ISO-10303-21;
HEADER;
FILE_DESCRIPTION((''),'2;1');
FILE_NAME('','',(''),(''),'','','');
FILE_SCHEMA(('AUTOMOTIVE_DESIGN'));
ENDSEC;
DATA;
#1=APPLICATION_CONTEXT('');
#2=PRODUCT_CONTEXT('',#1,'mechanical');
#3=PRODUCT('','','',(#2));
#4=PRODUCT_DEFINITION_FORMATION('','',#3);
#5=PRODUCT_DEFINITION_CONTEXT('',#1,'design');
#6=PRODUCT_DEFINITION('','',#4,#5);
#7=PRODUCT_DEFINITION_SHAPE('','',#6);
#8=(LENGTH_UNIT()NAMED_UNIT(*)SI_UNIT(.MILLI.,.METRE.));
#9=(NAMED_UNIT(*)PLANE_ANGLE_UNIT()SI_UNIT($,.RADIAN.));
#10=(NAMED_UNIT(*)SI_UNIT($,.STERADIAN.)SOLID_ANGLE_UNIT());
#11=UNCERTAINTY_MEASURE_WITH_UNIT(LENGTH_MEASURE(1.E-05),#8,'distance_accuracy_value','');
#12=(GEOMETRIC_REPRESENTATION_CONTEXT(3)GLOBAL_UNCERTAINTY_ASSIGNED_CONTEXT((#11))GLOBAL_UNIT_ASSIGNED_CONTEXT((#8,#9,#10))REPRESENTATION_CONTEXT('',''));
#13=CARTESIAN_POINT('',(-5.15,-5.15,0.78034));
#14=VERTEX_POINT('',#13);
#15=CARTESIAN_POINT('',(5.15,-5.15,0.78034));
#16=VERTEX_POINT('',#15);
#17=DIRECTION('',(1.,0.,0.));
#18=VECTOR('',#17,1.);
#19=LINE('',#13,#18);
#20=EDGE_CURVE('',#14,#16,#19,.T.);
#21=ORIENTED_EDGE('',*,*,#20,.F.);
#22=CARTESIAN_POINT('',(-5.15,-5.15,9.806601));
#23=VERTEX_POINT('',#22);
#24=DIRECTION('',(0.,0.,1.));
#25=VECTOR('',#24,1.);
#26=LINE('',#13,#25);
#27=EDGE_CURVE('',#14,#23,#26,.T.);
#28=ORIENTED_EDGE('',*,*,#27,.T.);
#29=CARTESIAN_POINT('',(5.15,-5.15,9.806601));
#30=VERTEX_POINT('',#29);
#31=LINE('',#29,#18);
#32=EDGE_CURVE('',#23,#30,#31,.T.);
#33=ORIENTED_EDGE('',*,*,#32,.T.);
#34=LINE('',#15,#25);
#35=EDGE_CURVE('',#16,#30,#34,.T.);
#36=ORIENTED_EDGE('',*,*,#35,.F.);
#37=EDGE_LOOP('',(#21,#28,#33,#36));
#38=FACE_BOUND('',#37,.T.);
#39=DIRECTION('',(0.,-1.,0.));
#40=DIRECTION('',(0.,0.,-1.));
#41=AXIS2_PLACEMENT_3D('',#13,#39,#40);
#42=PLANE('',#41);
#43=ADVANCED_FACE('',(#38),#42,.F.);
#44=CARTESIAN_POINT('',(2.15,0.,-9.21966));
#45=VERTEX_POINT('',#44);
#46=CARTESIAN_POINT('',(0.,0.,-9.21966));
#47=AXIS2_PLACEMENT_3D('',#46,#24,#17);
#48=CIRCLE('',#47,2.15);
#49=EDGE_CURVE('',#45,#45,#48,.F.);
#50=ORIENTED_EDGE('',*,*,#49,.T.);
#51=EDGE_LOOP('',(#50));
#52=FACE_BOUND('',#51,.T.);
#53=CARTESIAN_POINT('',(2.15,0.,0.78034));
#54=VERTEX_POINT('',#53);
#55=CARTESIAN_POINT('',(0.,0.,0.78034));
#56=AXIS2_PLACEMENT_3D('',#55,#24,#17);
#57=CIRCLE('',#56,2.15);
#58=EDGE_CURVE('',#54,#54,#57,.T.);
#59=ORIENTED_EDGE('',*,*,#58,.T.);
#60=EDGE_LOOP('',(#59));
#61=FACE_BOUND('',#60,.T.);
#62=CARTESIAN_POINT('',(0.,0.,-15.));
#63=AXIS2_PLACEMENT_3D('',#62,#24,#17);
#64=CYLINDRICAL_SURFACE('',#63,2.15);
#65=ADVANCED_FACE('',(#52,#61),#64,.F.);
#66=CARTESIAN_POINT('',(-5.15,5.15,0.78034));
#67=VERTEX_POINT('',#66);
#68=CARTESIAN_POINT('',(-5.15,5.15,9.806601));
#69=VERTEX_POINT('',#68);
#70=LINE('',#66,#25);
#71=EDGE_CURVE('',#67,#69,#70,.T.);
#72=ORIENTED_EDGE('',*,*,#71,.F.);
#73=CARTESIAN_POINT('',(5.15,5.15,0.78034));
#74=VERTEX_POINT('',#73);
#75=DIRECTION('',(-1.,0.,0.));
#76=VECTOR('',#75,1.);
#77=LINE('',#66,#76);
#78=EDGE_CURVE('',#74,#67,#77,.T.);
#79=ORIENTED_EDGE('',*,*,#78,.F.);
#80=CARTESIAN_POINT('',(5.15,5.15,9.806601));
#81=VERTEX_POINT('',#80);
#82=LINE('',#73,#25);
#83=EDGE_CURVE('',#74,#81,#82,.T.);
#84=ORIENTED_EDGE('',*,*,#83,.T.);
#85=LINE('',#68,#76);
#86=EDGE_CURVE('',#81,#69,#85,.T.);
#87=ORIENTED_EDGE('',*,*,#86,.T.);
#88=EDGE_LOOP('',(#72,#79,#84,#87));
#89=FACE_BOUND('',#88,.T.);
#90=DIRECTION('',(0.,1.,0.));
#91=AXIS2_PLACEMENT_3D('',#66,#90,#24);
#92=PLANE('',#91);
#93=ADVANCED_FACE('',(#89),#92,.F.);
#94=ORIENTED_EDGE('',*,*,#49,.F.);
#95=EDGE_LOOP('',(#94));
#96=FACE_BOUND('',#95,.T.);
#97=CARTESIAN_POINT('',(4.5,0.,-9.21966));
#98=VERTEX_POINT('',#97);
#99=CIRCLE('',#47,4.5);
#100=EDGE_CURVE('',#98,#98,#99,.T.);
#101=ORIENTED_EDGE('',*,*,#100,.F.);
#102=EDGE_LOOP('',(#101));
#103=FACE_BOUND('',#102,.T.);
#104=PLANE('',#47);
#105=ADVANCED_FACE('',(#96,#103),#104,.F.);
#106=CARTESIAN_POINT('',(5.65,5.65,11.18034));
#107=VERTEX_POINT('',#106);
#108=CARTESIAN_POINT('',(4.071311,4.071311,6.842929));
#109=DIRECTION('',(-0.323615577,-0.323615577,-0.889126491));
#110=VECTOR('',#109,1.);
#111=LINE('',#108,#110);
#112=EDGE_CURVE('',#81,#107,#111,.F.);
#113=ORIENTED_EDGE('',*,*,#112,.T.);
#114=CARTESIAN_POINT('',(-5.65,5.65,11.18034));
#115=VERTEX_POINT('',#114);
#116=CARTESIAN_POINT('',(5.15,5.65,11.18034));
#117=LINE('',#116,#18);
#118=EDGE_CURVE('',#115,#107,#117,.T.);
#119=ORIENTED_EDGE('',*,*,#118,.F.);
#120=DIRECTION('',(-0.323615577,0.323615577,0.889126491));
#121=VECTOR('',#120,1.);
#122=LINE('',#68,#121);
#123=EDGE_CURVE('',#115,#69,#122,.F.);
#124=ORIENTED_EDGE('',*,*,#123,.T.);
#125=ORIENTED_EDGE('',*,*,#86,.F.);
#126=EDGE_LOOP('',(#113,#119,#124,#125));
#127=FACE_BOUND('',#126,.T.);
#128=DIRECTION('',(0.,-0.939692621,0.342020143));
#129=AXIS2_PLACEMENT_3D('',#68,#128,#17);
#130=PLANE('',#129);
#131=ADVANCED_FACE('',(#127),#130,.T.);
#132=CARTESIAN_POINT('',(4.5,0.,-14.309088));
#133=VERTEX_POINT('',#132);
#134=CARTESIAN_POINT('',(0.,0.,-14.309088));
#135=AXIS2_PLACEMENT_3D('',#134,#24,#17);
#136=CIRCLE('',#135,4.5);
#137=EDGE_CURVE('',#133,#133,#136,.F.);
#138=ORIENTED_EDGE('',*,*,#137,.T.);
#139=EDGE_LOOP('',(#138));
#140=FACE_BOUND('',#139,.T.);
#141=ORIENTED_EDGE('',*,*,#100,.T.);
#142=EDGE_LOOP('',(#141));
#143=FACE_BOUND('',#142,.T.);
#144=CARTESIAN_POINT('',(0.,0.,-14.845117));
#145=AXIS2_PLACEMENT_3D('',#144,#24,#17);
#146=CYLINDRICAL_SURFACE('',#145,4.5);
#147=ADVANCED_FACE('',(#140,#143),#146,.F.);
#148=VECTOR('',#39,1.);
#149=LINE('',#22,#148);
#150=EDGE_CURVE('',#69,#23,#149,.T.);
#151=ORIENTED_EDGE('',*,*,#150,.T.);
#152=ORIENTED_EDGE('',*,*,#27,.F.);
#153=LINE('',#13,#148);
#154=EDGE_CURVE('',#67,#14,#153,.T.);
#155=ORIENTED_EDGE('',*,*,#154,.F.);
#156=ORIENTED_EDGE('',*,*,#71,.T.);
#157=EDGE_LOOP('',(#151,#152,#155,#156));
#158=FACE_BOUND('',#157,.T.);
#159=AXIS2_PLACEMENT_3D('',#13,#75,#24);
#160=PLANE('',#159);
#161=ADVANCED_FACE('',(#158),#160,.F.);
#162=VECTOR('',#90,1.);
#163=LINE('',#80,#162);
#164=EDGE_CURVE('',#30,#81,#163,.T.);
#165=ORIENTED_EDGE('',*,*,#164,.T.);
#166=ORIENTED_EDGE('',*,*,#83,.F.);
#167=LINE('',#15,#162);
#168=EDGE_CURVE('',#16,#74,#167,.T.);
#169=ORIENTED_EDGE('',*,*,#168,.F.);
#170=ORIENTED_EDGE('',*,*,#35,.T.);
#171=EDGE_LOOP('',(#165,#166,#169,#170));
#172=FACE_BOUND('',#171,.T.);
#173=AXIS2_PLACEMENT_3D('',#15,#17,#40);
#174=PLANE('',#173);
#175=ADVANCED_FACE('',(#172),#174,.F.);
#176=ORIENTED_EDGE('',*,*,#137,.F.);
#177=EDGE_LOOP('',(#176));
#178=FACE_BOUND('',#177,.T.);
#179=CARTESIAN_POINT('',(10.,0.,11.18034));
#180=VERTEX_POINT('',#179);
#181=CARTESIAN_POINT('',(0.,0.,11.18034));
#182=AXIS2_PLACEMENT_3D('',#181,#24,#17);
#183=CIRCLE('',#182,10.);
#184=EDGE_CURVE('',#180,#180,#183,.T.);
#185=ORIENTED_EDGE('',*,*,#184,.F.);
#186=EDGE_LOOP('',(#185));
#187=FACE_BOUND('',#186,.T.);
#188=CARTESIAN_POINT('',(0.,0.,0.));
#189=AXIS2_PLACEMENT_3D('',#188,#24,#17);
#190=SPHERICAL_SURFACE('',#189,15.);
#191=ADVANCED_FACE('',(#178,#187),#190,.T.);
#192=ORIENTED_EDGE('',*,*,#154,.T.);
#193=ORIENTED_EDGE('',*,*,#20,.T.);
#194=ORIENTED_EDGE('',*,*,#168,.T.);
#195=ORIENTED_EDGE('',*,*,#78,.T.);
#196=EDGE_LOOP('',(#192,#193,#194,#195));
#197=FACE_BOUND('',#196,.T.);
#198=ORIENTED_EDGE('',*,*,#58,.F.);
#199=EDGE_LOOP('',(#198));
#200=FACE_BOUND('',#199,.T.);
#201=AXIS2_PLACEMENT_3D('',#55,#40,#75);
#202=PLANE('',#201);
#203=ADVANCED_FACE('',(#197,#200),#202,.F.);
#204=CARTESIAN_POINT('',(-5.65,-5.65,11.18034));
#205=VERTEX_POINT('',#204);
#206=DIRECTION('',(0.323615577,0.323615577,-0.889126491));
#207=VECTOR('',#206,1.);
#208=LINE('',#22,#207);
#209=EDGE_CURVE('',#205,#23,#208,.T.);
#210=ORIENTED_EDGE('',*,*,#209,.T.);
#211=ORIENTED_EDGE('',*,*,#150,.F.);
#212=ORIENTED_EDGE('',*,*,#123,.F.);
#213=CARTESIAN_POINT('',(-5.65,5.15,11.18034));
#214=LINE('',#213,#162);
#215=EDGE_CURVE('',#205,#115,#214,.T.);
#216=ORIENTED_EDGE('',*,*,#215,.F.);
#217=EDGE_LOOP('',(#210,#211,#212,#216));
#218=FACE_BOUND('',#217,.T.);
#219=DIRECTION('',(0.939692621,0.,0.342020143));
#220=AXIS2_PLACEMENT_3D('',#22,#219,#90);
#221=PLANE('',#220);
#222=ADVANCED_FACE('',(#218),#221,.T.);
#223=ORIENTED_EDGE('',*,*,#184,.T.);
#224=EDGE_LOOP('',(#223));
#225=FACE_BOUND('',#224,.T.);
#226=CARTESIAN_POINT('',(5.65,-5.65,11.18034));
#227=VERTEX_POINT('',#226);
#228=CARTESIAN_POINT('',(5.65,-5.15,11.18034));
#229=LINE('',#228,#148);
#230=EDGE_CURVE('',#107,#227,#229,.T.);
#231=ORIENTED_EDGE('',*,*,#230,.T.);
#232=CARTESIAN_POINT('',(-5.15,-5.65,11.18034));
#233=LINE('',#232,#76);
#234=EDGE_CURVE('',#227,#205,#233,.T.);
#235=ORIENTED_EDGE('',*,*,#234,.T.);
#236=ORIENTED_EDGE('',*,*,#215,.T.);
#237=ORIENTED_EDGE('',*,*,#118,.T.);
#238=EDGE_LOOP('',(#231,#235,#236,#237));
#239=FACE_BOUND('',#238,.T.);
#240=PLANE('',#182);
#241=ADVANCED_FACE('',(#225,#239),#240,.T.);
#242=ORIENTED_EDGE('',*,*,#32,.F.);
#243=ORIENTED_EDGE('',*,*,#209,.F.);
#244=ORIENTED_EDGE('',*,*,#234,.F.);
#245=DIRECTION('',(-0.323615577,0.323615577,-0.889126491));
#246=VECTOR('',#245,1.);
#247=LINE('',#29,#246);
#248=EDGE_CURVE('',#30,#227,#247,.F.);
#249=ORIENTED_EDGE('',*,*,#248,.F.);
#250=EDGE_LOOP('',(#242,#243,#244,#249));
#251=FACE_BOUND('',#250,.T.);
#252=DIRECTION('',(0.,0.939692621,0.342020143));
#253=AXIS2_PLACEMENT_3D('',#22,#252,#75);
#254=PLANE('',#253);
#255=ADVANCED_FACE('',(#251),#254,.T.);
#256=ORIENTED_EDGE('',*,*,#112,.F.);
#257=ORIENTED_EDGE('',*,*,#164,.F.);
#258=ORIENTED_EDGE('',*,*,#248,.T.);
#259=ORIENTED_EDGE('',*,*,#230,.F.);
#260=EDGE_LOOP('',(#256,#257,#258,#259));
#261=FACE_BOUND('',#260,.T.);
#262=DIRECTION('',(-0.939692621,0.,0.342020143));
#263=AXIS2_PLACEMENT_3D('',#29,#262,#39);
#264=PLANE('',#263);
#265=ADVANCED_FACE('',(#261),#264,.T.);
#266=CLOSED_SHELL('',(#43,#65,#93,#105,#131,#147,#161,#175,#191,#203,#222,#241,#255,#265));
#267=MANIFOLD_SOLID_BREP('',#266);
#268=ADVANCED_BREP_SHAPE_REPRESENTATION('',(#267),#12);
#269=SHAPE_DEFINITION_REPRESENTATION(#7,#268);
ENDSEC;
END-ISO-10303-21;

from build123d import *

# Parameters (mm, degrees)
SKETCH3_W          = 10.3
SKETCH3_H          = 10.3
CUT_EXTRUDE1_DEPTH = 10.4
SKETCH4_R          = 2.15
CUT_EXTRUDE2_DEPTH = 16.780339887
CUT_EXTRUDE3_START = -10
SKETCH5_R          = 4.5
CUT_EXTRUDE3_DEPTH = 6.62545693
CHAMFER1_SIZE      = 0.5
CHAMFER1_SIZE2     = 1.37373871


with BuildPart() as part:
    # Sketch2 → Revolve1 (revolve)
    with BuildSketch(Plane(origin=(0, 0, 0), x_dir=(1, 0, 0), z_dir=(0, 1, 0))):
        with BuildLine():
            Line((0, 15), (0, -11.180339887))
            Line((0, -11.180339887), (10, -11.180339887))
            ThreePointArc((10, -11.180339887), (14.012585384, 5.352331347), (0, 15))
        make_face()
    revolve(axis=Axis((0, 0, 15), (0, 0, -1)))

    # Sketch3 → Cut-Extrude1 (cut)
    with BuildSketch(Plane.XY.offset(11.180339887)):
        Rectangle(SKETCH3_W, SKETCH3_H)
    extrude(amount=-CUT_EXTRUDE1_DEPTH, mode=Mode.SUBTRACT)

    # Sketch4 → Cut-Extrude2 (cut, through all)
    with BuildSketch(Plane.XY.offset(0.780339887)):
        Circle(SKETCH4_R)
    extrude(amount=-CUT_EXTRUDE2_DEPTH, mode=Mode.SUBTRACT)

    # Sketch5 → Cut-Extrude3 (cut, through all)
    with BuildSketch(Plane.XY.offset(0.780339887).offset(CUT_EXTRUDE3_START)):
        Circle(SKETCH5_R)
    extrude(amount=-CUT_EXTRUDE3_DEPTH, mode=Mode.SUBTRACT)

    # Chamfer1
    chamfer1_edges = [part.edges().sort_by_distance(p)[0] for p in [
        (5.15, 0, 11.180339887),
        (0, 5.15, 11.180339887),
        (-5.15, 0, 11.180339887),
        (0, -5.15, 11.180339887),
    ]]
    chamfer1_side = [part.faces().sort_by_distance(p)[0] for p in [
        (-9.717157288, 0, 11.180339887),
    ]]
    chamfer(chamfer1_edges, length=CHAMFER1_SIZE, length2=CHAMFER1_SIZE2, reference=chamfer1_side[0])


solid = part.part
